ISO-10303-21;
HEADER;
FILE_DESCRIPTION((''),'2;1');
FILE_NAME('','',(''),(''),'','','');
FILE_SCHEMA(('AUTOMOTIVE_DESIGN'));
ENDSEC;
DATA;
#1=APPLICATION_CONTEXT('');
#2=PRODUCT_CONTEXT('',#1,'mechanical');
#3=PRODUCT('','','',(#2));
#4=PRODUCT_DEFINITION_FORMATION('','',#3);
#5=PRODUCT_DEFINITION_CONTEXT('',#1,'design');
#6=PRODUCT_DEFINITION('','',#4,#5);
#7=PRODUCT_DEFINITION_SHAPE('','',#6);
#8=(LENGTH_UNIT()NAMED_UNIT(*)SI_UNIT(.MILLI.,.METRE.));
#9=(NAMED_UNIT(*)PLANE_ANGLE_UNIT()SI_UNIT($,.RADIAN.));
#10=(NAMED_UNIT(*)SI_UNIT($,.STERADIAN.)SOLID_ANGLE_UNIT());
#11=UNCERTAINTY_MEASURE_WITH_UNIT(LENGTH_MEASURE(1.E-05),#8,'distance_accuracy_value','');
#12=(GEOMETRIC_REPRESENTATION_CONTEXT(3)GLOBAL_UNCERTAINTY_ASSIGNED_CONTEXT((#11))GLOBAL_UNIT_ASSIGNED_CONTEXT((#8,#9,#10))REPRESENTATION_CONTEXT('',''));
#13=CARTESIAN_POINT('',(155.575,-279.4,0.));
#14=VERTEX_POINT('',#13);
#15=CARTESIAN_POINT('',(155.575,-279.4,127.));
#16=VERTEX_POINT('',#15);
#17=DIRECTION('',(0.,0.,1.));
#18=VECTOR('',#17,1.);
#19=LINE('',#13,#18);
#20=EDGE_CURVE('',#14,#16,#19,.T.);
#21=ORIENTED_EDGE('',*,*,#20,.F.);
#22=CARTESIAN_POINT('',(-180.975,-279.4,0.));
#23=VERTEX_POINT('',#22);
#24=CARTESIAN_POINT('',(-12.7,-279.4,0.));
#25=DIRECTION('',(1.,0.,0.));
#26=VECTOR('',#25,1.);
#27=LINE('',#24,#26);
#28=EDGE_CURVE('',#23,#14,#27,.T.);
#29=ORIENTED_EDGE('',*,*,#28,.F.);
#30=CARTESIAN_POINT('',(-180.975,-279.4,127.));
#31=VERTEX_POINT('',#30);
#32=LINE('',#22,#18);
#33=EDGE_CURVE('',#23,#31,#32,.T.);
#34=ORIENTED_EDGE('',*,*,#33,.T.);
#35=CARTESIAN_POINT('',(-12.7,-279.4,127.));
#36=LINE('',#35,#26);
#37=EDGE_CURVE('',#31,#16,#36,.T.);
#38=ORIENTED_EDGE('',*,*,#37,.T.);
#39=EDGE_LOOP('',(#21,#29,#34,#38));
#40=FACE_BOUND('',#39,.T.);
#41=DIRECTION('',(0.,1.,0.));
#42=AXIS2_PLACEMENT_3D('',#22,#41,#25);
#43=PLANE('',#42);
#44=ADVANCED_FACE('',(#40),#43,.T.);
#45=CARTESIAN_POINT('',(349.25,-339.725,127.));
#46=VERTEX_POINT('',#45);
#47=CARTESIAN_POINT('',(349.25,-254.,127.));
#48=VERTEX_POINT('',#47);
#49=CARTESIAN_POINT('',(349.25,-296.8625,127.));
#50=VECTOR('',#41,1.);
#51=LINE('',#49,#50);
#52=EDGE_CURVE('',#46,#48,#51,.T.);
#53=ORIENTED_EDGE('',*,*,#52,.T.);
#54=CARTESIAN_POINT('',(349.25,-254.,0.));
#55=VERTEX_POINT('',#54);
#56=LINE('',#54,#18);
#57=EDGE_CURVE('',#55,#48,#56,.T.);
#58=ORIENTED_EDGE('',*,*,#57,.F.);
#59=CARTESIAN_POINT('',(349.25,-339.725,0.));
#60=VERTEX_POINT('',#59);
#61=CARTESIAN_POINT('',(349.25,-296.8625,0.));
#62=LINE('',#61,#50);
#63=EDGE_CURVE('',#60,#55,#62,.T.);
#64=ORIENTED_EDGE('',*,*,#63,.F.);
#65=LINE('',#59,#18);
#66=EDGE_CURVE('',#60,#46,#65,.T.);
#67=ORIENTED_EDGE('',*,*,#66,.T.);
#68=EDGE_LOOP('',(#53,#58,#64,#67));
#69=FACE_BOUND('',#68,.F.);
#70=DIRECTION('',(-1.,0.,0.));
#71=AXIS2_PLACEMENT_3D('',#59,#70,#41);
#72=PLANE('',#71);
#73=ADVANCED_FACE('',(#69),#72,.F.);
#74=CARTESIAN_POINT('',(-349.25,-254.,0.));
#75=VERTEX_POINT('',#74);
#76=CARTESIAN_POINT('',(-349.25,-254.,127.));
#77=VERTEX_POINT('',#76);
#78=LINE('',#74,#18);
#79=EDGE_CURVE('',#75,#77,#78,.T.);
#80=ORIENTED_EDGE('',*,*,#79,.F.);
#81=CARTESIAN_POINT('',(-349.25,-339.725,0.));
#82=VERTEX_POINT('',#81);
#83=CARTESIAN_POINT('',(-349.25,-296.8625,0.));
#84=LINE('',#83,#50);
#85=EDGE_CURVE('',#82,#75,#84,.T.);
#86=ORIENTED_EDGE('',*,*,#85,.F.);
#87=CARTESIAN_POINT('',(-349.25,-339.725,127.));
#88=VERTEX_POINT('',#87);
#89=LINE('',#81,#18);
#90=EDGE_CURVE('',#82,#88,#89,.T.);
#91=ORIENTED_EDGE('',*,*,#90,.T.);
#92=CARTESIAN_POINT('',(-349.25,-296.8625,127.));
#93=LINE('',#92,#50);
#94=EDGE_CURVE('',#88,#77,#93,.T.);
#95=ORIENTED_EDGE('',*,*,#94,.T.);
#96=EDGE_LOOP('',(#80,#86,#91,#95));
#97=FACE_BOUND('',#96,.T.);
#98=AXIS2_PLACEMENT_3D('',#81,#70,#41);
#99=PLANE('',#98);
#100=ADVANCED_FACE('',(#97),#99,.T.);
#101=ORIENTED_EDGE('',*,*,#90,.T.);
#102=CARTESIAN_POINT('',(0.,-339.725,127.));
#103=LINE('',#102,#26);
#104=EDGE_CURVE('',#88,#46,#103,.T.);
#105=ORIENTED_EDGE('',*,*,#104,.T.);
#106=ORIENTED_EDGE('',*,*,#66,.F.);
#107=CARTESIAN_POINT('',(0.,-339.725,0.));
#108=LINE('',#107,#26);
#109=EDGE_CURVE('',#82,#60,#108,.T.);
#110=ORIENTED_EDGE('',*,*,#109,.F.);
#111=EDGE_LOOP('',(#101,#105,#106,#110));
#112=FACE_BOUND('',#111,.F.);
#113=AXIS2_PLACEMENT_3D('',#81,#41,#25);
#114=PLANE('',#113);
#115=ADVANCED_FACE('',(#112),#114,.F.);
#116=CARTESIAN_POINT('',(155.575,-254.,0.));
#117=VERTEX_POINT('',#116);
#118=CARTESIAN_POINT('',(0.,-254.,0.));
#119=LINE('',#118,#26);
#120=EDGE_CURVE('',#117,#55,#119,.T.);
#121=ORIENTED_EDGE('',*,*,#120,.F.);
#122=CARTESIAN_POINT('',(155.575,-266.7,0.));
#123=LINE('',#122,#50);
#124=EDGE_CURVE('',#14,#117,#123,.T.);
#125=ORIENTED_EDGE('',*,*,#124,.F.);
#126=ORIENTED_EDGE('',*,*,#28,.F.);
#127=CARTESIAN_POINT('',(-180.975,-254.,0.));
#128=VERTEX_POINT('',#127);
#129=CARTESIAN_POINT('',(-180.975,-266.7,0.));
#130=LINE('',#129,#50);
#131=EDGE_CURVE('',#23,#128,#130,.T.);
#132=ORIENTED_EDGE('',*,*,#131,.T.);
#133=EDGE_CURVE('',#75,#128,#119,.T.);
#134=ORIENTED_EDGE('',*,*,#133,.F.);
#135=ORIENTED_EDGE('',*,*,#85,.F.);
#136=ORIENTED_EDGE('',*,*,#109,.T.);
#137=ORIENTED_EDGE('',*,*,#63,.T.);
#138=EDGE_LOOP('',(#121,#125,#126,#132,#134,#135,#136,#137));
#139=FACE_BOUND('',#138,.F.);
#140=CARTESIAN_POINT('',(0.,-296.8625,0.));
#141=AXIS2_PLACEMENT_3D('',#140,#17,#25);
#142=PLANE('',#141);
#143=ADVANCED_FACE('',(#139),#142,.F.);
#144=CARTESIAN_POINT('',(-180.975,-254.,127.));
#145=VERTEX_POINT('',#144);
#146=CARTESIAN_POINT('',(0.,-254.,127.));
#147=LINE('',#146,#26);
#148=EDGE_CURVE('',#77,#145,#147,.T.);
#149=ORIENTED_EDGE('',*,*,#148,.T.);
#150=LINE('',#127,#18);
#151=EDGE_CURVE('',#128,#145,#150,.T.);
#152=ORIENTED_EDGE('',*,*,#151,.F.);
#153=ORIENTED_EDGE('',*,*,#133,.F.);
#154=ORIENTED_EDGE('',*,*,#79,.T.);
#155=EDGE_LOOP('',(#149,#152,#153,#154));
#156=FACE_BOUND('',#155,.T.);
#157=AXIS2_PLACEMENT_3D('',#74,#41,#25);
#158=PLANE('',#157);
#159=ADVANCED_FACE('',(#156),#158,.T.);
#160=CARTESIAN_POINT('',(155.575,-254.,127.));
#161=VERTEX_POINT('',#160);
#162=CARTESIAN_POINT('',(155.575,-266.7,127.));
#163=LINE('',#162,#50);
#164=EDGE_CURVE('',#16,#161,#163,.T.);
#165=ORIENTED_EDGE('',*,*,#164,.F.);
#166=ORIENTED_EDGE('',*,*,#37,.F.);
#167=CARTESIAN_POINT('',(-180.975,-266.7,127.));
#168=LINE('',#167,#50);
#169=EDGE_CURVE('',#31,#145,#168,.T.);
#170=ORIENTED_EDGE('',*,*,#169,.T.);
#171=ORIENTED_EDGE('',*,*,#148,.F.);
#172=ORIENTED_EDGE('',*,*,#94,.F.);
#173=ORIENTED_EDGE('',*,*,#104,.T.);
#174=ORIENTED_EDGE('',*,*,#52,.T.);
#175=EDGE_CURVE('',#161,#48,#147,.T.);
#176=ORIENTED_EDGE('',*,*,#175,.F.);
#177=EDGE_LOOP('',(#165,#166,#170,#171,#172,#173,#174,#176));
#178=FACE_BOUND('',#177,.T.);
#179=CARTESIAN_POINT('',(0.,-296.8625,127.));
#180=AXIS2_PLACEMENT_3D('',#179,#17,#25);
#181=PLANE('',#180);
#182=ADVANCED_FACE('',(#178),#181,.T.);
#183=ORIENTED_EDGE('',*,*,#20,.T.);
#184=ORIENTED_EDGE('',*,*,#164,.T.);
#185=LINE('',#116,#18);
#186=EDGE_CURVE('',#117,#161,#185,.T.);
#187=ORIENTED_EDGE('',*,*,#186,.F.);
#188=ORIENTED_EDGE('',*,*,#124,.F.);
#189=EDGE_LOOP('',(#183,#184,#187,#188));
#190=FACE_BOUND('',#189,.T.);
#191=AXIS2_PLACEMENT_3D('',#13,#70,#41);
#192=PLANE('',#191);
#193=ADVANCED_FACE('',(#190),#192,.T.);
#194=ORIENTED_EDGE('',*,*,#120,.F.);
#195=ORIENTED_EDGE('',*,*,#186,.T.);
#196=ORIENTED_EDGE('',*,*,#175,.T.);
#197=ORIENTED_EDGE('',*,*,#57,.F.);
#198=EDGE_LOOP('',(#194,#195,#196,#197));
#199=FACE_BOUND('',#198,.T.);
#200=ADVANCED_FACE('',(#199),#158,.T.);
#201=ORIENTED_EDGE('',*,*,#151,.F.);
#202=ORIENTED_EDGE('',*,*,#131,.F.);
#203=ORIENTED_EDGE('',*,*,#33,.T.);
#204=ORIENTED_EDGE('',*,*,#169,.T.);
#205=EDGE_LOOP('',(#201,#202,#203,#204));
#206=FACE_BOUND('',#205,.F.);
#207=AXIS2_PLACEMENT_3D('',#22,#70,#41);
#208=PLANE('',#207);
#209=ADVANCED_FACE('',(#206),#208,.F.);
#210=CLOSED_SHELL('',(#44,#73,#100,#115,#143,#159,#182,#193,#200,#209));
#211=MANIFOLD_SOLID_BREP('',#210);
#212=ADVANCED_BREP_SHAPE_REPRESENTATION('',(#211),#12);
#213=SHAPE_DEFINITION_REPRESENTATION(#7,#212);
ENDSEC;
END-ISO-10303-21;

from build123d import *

# Parameters (mm, degrees)
F0_W     = 698.5
F0_H     = 85.725
F2_DEPTH = 127
F1_W     = 336.55
F1_H     = 25.4
F3_DEPTH = 127


with BuildPart() as f2:
    # F0 (on Top) → F2 (new body)
    with BuildSketch(Plane.XY):
        with Locations((0, -296.8625)):
            Rectangle(F0_W, F0_H)
    extrude(amount=F2_DEPTH)

    # F1 (on face) → F3 (cut)
    with BuildSketch(Plane.XY):
        with Locations((-12.7, -266.7)):
            Rectangle(F1_W, F1_H)
    extrude(amount=F3_DEPTH, mode=Mode.SUBTRACT)


solid = f2.part
